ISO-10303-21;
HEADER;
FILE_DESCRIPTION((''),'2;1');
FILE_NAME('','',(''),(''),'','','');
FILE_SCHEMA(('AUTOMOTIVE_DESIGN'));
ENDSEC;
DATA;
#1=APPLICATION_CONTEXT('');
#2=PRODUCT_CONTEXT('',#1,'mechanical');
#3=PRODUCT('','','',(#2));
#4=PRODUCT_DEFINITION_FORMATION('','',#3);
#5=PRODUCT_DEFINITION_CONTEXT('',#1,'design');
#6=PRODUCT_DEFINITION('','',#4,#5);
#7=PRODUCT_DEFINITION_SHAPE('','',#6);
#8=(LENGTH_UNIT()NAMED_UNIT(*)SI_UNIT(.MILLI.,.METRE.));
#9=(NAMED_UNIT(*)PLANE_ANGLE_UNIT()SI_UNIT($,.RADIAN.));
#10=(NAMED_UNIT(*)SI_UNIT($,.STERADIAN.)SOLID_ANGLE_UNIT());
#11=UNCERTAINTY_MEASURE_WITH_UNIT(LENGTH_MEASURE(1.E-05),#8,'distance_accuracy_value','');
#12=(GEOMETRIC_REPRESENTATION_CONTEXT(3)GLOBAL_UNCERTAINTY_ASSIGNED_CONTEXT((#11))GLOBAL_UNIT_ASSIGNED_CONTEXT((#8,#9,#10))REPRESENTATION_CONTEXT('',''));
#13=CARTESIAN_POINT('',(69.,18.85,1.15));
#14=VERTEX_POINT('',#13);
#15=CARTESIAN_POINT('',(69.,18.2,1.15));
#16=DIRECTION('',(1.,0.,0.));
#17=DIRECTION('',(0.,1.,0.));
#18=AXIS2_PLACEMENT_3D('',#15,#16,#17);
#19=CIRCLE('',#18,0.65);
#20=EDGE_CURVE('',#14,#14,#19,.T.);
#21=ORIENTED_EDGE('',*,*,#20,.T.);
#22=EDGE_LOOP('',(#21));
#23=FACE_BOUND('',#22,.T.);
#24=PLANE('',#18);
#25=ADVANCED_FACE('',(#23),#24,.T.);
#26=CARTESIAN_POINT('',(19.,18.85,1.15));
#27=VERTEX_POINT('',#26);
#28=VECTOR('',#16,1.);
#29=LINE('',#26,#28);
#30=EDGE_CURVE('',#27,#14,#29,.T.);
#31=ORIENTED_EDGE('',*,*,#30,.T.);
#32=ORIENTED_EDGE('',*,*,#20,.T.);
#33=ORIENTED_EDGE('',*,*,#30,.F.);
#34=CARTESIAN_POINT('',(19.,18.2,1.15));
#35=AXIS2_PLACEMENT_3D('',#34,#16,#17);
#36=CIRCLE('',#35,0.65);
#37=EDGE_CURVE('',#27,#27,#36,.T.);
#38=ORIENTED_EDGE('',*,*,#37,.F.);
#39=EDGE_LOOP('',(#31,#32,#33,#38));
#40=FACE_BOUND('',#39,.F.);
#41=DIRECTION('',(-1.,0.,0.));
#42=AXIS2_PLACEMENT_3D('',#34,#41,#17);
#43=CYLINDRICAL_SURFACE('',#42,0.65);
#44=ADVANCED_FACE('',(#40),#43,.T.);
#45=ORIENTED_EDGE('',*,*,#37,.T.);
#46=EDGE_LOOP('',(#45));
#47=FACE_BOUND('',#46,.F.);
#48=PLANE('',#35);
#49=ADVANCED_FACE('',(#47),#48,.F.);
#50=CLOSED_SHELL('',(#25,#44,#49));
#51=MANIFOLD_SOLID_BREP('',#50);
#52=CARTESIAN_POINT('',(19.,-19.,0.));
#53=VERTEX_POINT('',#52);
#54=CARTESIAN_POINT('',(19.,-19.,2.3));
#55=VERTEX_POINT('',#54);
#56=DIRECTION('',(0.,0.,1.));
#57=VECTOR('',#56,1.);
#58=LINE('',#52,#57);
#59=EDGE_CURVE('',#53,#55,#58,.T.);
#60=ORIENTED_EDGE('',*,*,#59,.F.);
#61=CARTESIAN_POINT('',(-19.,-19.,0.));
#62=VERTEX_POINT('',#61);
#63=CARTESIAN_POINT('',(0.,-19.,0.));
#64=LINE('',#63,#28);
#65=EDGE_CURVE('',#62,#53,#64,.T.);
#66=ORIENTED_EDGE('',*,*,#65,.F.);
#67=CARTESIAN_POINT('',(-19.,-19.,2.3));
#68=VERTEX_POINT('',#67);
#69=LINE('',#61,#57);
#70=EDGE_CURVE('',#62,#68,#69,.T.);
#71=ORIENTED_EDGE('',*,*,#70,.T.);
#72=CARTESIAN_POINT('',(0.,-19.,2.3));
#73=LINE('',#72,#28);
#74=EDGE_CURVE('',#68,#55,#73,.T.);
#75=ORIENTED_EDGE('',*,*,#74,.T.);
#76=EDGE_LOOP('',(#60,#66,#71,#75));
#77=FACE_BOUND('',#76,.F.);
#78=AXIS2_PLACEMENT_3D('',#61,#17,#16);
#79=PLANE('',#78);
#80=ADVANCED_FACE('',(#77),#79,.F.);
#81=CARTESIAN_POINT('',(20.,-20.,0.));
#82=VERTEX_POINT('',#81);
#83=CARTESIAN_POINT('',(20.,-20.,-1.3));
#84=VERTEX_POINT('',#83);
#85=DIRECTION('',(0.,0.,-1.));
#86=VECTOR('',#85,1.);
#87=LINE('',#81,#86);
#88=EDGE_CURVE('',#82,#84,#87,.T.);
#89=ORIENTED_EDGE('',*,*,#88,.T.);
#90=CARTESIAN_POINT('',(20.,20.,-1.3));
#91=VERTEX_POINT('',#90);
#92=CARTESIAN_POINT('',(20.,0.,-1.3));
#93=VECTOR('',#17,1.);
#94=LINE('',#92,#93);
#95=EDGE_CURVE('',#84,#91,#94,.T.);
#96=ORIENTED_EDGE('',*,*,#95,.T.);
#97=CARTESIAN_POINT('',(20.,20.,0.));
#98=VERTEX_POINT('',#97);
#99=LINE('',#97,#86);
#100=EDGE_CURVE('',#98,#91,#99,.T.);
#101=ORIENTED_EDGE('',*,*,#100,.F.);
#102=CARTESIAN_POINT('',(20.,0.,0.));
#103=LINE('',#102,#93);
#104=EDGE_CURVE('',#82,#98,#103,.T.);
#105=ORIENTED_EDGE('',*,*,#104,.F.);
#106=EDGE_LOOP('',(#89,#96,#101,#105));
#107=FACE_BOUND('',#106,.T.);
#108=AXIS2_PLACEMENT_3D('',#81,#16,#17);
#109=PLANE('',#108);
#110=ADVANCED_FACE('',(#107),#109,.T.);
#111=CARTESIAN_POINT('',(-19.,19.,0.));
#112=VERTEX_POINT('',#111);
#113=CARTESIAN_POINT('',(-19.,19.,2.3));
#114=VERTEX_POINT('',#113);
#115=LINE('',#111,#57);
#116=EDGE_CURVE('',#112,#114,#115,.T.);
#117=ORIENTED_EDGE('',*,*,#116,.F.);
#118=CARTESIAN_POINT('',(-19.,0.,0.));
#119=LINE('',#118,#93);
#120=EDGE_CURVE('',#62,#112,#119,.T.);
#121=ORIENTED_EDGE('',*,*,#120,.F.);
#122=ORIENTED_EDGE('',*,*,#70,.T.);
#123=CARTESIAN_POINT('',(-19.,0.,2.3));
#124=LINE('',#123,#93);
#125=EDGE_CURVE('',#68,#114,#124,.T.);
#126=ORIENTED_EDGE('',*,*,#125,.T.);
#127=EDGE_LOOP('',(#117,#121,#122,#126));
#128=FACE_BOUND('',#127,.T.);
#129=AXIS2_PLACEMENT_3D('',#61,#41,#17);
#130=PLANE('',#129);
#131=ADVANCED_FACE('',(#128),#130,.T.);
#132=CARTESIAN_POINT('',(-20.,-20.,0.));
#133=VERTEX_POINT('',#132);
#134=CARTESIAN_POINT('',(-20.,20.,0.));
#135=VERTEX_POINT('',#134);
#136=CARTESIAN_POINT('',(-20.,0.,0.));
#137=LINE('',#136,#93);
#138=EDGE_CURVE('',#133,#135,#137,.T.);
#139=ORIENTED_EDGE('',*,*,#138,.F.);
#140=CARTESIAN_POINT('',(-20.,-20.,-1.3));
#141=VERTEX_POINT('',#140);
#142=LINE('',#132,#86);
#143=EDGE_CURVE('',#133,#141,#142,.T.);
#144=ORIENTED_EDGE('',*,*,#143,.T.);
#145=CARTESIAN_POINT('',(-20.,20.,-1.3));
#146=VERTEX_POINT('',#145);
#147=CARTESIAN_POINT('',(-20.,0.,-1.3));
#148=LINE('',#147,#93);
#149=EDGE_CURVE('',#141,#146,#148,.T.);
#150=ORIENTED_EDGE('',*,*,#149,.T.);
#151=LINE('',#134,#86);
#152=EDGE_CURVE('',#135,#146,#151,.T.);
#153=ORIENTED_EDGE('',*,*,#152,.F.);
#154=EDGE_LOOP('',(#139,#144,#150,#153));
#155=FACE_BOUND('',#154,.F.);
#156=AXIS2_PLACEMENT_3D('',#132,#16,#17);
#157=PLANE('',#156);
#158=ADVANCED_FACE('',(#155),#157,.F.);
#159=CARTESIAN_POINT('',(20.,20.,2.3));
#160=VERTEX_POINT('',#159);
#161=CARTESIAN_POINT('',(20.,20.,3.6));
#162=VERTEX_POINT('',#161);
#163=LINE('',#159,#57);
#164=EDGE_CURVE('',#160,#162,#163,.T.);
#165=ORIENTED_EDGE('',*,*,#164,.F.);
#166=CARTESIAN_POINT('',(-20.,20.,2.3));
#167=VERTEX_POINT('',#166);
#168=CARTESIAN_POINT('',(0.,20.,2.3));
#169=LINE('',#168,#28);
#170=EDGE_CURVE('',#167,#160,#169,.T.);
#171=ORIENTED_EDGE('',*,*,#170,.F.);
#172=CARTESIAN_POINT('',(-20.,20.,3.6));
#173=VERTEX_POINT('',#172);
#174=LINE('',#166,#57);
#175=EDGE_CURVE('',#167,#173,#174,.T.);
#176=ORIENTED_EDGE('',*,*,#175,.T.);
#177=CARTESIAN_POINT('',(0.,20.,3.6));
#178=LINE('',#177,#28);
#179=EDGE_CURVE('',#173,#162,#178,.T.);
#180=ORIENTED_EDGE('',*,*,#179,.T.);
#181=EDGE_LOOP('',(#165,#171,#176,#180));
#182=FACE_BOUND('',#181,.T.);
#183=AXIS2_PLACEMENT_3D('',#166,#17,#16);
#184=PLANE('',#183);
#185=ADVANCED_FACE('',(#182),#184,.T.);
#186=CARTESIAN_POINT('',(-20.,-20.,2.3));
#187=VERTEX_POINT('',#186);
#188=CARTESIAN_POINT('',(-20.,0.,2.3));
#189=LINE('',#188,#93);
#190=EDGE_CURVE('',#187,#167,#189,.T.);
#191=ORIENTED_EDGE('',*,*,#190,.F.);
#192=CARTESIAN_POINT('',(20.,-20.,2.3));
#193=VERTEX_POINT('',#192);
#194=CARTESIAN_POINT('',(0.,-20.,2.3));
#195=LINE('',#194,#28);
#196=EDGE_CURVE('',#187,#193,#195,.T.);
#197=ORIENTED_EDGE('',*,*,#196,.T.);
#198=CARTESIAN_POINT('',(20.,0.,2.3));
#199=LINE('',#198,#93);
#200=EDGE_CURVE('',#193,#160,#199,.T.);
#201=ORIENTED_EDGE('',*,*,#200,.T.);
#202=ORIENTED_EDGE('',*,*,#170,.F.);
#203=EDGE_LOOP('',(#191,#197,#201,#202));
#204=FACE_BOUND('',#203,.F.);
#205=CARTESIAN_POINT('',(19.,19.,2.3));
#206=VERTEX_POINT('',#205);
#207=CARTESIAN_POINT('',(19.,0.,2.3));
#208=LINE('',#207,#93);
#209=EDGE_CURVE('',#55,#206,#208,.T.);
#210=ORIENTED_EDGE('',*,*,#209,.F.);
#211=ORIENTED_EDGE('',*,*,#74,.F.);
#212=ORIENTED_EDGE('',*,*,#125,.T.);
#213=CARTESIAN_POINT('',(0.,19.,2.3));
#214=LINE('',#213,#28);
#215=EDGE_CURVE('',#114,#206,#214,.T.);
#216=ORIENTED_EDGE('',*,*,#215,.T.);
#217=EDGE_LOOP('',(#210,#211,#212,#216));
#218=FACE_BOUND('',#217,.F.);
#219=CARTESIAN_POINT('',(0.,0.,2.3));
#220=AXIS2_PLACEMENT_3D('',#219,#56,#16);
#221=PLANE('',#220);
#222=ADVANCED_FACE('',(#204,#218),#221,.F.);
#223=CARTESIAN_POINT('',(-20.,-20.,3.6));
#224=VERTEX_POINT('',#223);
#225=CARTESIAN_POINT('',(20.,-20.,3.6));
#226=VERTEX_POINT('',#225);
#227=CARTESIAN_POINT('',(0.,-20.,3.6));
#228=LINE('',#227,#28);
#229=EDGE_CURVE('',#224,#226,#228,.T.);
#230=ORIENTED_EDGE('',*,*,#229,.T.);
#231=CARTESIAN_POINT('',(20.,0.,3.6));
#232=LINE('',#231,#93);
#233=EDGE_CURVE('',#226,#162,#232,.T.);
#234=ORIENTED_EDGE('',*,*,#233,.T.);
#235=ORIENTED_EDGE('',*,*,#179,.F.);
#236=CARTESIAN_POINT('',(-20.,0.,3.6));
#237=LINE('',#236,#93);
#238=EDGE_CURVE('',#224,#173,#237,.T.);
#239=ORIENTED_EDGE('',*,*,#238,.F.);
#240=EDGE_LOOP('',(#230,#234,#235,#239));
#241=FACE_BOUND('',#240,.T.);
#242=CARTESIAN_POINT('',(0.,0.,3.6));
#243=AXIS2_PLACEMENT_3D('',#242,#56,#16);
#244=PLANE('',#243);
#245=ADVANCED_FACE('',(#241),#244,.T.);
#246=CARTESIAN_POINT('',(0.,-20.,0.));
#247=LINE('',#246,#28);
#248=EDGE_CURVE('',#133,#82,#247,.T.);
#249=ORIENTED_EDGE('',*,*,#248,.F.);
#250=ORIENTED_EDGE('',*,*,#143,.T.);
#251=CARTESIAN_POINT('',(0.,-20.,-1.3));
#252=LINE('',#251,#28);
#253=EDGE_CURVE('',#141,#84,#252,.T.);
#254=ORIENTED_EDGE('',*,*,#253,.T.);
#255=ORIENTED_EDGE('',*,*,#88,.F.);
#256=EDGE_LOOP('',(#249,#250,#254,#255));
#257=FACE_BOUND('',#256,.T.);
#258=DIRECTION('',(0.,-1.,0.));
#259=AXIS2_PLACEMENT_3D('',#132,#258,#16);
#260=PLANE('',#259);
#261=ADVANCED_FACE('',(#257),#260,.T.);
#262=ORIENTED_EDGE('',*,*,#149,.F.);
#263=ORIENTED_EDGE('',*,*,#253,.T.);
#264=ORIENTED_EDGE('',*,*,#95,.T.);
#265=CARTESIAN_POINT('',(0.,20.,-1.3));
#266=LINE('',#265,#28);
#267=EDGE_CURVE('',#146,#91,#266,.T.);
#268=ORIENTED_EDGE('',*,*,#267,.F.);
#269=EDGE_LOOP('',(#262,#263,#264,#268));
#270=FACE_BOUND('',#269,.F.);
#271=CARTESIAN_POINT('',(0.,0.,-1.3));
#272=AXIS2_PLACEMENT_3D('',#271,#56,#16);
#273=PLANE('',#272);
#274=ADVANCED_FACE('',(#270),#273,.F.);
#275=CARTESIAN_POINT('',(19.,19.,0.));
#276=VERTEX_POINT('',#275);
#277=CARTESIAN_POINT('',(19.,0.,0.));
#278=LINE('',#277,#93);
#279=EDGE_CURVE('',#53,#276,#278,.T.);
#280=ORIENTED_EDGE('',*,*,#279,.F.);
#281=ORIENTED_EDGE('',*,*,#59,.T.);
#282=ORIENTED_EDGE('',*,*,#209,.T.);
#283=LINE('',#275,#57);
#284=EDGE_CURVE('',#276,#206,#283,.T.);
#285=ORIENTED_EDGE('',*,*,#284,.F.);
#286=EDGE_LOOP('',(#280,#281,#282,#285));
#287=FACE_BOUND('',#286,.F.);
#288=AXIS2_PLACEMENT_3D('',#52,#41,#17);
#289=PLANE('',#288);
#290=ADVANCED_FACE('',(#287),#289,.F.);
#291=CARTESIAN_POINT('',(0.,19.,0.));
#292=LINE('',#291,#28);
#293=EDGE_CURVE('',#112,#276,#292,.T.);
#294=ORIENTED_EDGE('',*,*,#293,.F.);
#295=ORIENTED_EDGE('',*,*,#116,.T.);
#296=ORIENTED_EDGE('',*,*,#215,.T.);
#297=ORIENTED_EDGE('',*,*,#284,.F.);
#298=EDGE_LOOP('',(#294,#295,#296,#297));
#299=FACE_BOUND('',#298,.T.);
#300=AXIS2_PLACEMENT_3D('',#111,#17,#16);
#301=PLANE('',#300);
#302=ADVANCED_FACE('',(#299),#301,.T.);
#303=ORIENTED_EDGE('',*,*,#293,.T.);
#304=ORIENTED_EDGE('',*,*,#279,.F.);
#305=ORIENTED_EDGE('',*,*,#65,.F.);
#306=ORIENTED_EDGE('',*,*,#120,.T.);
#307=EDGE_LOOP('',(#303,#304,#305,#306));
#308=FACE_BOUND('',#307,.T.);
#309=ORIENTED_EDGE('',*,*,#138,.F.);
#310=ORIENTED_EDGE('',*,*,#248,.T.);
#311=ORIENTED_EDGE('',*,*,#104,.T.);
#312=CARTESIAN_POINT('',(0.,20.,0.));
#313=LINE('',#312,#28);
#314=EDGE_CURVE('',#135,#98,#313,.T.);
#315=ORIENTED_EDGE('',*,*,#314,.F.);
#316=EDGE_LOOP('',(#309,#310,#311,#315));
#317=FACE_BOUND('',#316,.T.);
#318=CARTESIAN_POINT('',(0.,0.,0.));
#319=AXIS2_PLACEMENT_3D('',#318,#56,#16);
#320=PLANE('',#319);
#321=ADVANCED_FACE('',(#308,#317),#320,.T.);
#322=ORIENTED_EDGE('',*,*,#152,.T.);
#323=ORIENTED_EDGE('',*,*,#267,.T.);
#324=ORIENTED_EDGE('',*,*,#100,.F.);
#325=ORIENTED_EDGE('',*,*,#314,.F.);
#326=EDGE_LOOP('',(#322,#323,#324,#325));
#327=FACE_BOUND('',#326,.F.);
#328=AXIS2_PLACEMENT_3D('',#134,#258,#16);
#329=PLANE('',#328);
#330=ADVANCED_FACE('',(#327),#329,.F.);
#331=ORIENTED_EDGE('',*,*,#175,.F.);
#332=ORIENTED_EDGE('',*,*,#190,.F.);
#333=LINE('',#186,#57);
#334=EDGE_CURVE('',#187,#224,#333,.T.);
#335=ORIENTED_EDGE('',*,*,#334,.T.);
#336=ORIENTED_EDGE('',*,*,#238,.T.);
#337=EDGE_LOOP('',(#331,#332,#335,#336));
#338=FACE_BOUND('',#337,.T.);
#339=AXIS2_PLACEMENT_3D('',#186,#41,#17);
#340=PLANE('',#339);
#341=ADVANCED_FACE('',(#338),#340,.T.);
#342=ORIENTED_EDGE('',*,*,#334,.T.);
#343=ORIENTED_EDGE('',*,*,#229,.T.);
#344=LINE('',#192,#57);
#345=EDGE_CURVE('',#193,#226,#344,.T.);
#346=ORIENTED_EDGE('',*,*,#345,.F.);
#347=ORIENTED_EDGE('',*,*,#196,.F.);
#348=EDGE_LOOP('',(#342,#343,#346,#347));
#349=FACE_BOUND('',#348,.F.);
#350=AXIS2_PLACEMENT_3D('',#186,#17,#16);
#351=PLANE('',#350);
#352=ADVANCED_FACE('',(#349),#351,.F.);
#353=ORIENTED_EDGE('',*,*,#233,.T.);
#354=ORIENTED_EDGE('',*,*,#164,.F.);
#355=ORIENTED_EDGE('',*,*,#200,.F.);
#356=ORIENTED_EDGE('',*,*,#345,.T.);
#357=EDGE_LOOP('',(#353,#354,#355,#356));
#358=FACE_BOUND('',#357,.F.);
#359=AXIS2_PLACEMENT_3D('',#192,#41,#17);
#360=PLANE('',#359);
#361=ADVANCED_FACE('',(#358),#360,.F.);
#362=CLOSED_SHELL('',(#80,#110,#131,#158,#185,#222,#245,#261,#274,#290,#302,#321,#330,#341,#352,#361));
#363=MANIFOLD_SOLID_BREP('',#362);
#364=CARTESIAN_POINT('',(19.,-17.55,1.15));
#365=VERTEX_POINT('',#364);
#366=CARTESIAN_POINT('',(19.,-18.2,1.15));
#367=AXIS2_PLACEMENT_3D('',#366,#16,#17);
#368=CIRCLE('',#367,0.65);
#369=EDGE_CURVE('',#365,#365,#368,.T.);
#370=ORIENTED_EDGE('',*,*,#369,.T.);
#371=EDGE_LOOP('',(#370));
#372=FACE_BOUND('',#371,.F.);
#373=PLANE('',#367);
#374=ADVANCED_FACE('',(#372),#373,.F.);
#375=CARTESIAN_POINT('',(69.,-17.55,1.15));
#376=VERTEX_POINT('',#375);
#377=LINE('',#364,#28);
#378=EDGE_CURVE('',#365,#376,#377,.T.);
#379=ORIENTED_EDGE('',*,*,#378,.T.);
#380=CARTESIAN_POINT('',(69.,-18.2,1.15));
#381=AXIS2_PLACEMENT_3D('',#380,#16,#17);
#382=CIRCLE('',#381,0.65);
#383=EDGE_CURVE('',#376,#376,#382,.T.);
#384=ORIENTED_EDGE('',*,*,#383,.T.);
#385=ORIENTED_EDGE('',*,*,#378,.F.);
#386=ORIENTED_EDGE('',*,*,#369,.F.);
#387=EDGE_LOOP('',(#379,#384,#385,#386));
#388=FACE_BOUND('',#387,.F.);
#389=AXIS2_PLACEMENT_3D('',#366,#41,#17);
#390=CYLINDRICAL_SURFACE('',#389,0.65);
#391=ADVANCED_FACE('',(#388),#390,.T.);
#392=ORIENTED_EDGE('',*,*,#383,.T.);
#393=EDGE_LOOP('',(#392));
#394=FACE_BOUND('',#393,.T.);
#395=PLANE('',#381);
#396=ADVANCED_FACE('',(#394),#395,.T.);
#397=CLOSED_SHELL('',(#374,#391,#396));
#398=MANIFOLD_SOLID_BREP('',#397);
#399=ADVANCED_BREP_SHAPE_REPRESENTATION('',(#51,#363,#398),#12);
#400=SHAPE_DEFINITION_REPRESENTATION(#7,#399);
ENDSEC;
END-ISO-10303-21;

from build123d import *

# Parameters (mm, degrees)
F0_W     = 40
F0_H     = 40
F1_DEPTH = 1.3
F2_W     = 38
F2_H     = 38
F3_DEPTH = 2.3
F4_W     = 40
F4_H     = 40
F5_DEPTH = 1.3
F6_R     = 0.65
F7_DEPTH = 50


with BuildPart() as f1:
    # F0 (on Top) → F1 (new body)
    with BuildSketch(Plane.XY):
        Rectangle(F0_W, F0_H)
    extrude(amount=-F1_DEPTH)

    # F2 (on face) → F3 (join)
    with BuildSketch(Plane.XY):
        Rectangle(F2_W, F2_H)
    extrude(amount=F3_DEPTH)

    # F4 (on face) → F5 (join)
    with BuildSketch(Plane.XY.offset(2.3)):
        Rectangle(F4_W, F4_H)
    extrude(amount=F5_DEPTH)


with BuildPart() as f7:
    # F6 (on face) → F7 (new body)
    with BuildSketch(Plane.YZ.offset(19)):
        with Locations((-18.2, 1.15)):
            Circle(F6_R)
        with Locations((18.2, 1.15)):
            Circle(F6_R)
    extrude(amount=F7_DEPTH)


solid = Compound([f1.part, f7.part])
